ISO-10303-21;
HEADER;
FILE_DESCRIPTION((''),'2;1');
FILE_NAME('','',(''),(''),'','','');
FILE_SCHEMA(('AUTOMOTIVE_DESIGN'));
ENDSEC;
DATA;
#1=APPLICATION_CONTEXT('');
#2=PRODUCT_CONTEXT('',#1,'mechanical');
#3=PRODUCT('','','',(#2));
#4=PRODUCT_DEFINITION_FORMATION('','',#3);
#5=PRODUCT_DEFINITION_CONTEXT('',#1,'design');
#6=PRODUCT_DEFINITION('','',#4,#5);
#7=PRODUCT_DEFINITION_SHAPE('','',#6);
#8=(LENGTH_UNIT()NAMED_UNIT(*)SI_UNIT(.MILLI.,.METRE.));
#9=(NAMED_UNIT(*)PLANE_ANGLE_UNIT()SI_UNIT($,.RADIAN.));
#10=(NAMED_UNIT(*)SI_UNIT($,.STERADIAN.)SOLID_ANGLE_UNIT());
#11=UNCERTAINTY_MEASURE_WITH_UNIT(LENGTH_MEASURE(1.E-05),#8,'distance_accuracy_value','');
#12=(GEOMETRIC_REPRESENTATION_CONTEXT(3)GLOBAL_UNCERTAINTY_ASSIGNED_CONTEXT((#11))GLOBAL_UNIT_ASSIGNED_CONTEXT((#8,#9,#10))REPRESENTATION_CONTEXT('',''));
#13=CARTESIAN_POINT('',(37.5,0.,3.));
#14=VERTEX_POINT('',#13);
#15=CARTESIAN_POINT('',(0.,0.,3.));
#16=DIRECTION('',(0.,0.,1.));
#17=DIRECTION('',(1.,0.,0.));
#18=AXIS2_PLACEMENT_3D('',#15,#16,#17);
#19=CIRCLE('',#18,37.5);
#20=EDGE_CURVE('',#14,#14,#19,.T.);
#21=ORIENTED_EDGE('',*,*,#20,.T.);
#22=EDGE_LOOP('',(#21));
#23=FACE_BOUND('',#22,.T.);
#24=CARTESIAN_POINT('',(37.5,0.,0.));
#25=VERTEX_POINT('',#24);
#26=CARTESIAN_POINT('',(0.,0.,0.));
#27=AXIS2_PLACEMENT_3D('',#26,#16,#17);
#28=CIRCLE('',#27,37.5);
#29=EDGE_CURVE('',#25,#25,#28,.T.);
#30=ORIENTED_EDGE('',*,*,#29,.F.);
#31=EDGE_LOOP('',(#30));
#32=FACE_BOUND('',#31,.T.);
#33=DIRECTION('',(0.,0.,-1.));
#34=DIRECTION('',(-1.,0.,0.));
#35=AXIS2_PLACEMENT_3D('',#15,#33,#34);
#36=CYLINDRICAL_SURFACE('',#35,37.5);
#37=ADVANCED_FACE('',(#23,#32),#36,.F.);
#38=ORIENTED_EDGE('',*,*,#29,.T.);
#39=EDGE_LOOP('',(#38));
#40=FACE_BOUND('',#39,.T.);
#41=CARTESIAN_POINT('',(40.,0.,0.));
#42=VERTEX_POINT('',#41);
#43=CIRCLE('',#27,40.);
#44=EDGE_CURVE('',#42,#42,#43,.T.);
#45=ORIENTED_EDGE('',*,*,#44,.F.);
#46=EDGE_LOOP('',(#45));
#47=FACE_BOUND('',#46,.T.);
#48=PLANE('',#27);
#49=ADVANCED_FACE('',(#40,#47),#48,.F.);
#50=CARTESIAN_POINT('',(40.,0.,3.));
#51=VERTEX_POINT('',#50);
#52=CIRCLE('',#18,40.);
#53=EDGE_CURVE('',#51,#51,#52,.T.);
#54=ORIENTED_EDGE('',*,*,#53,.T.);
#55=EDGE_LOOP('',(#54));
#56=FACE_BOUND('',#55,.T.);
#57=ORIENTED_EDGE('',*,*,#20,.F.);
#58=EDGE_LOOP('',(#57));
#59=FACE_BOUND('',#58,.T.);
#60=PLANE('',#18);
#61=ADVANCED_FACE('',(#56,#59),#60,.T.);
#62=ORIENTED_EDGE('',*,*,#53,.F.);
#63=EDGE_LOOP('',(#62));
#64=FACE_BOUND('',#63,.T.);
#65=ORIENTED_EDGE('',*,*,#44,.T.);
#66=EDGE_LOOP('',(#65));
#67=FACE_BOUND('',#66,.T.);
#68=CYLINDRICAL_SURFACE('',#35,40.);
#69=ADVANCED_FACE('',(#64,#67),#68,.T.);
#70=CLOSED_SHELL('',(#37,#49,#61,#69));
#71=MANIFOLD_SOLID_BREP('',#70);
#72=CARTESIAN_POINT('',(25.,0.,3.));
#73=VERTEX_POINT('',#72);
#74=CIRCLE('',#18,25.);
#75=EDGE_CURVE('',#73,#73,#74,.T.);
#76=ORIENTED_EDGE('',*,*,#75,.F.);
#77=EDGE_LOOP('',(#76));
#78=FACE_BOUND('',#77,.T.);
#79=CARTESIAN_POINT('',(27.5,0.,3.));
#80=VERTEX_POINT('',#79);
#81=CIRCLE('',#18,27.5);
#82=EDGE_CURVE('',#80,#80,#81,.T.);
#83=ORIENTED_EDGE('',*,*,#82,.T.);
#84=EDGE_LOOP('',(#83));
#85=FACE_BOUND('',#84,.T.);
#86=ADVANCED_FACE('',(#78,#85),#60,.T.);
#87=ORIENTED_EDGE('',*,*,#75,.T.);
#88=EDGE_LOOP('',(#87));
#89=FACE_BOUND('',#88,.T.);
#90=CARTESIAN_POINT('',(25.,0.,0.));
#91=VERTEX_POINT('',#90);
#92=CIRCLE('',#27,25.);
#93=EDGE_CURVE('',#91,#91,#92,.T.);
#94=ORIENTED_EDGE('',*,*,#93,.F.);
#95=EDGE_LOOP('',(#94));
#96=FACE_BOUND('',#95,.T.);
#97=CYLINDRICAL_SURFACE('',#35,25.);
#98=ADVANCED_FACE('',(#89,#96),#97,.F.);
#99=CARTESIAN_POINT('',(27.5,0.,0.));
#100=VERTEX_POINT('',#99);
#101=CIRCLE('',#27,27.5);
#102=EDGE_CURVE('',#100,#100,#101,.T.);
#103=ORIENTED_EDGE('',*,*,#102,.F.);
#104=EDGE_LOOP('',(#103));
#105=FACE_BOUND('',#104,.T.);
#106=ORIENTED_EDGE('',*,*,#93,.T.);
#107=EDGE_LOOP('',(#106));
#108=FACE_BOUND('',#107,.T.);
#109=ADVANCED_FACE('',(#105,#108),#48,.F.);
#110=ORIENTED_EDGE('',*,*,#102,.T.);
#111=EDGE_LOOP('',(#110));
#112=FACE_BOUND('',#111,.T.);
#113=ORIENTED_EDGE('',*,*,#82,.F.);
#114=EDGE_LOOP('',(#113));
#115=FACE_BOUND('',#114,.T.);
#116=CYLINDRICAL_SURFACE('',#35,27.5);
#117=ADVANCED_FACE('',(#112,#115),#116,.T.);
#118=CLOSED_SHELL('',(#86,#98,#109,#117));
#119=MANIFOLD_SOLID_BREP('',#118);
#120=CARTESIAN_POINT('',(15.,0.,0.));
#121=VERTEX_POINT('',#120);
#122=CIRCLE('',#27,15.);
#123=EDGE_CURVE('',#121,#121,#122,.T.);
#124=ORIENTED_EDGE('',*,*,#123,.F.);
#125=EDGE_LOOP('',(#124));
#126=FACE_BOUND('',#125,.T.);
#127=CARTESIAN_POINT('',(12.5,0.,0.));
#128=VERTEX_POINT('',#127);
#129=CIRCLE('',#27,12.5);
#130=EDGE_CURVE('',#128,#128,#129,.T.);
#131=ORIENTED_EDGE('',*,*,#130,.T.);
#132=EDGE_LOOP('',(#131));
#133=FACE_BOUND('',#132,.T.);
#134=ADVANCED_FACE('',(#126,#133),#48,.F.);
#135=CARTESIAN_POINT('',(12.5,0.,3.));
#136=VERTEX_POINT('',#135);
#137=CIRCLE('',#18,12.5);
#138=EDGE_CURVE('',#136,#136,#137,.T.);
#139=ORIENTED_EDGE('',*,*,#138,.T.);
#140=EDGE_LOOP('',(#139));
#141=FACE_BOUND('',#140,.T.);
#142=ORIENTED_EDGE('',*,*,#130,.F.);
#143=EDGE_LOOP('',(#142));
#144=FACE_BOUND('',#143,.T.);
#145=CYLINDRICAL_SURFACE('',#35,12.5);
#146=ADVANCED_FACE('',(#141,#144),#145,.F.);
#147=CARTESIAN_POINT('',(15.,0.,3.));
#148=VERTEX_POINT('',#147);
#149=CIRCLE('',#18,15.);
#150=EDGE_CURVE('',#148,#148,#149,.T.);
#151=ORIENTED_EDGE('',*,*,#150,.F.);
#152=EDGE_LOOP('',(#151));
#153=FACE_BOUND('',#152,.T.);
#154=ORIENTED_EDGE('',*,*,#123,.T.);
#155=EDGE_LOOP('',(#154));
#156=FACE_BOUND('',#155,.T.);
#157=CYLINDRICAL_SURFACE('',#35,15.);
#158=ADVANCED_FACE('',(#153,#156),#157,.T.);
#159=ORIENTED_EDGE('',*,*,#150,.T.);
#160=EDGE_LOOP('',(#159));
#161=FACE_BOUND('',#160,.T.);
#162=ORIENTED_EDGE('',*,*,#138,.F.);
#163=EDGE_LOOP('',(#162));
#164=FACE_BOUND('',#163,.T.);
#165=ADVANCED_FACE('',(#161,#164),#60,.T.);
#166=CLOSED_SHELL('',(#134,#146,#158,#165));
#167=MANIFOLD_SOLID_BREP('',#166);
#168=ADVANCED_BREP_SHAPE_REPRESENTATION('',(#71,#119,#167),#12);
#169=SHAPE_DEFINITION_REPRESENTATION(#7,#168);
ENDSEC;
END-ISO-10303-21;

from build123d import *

# Parameters (mm, degrees)
SKETCH1_R             = 40
SKETCH1_R_2           = 37.5
BOSS_EXTRUDE1_DEPTH   = 3
SKETCH1_R_3           = 27.5
SKETCH1_R_4           = 25
BOSS_EXTRUDE1_2_DEPTH = 3
SKETCH1_R_5           = 15
SKETCH1_R_6           = 12.5
BOSS_EXTRUDE1_3_DEPTH = 3


with BuildPart() as part:
    # Sketch1 → Boss-Extrude1 (new body)
    with BuildSketch(Plane.XY):
        Circle(SKETCH1_R)
        Circle(SKETCH1_R_2, mode=Mode.SUBTRACT)
    extrude(amount=BOSS_EXTRUDE1_DEPTH)


with BuildPart() as body_2:
    # Sketch1 → Boss-Extrude1 2 (new body)
    with BuildSketch(Plane.XY):
        Circle(SKETCH1_R_3)
        Circle(SKETCH1_R_4, mode=Mode.SUBTRACT)
    extrude(amount=BOSS_EXTRUDE1_2_DEPTH)


with BuildPart() as body_3:
    # Sketch1 → Boss-Extrude1 3 (new body)
    with BuildSketch(Plane.XY):
        Circle(SKETCH1_R_5)
        Circle(SKETCH1_R_6, mode=Mode.SUBTRACT)
    extrude(amount=BOSS_EXTRUDE1_3_DEPTH)


solid = Compound([part.part, body_2.part, body_3.part])
